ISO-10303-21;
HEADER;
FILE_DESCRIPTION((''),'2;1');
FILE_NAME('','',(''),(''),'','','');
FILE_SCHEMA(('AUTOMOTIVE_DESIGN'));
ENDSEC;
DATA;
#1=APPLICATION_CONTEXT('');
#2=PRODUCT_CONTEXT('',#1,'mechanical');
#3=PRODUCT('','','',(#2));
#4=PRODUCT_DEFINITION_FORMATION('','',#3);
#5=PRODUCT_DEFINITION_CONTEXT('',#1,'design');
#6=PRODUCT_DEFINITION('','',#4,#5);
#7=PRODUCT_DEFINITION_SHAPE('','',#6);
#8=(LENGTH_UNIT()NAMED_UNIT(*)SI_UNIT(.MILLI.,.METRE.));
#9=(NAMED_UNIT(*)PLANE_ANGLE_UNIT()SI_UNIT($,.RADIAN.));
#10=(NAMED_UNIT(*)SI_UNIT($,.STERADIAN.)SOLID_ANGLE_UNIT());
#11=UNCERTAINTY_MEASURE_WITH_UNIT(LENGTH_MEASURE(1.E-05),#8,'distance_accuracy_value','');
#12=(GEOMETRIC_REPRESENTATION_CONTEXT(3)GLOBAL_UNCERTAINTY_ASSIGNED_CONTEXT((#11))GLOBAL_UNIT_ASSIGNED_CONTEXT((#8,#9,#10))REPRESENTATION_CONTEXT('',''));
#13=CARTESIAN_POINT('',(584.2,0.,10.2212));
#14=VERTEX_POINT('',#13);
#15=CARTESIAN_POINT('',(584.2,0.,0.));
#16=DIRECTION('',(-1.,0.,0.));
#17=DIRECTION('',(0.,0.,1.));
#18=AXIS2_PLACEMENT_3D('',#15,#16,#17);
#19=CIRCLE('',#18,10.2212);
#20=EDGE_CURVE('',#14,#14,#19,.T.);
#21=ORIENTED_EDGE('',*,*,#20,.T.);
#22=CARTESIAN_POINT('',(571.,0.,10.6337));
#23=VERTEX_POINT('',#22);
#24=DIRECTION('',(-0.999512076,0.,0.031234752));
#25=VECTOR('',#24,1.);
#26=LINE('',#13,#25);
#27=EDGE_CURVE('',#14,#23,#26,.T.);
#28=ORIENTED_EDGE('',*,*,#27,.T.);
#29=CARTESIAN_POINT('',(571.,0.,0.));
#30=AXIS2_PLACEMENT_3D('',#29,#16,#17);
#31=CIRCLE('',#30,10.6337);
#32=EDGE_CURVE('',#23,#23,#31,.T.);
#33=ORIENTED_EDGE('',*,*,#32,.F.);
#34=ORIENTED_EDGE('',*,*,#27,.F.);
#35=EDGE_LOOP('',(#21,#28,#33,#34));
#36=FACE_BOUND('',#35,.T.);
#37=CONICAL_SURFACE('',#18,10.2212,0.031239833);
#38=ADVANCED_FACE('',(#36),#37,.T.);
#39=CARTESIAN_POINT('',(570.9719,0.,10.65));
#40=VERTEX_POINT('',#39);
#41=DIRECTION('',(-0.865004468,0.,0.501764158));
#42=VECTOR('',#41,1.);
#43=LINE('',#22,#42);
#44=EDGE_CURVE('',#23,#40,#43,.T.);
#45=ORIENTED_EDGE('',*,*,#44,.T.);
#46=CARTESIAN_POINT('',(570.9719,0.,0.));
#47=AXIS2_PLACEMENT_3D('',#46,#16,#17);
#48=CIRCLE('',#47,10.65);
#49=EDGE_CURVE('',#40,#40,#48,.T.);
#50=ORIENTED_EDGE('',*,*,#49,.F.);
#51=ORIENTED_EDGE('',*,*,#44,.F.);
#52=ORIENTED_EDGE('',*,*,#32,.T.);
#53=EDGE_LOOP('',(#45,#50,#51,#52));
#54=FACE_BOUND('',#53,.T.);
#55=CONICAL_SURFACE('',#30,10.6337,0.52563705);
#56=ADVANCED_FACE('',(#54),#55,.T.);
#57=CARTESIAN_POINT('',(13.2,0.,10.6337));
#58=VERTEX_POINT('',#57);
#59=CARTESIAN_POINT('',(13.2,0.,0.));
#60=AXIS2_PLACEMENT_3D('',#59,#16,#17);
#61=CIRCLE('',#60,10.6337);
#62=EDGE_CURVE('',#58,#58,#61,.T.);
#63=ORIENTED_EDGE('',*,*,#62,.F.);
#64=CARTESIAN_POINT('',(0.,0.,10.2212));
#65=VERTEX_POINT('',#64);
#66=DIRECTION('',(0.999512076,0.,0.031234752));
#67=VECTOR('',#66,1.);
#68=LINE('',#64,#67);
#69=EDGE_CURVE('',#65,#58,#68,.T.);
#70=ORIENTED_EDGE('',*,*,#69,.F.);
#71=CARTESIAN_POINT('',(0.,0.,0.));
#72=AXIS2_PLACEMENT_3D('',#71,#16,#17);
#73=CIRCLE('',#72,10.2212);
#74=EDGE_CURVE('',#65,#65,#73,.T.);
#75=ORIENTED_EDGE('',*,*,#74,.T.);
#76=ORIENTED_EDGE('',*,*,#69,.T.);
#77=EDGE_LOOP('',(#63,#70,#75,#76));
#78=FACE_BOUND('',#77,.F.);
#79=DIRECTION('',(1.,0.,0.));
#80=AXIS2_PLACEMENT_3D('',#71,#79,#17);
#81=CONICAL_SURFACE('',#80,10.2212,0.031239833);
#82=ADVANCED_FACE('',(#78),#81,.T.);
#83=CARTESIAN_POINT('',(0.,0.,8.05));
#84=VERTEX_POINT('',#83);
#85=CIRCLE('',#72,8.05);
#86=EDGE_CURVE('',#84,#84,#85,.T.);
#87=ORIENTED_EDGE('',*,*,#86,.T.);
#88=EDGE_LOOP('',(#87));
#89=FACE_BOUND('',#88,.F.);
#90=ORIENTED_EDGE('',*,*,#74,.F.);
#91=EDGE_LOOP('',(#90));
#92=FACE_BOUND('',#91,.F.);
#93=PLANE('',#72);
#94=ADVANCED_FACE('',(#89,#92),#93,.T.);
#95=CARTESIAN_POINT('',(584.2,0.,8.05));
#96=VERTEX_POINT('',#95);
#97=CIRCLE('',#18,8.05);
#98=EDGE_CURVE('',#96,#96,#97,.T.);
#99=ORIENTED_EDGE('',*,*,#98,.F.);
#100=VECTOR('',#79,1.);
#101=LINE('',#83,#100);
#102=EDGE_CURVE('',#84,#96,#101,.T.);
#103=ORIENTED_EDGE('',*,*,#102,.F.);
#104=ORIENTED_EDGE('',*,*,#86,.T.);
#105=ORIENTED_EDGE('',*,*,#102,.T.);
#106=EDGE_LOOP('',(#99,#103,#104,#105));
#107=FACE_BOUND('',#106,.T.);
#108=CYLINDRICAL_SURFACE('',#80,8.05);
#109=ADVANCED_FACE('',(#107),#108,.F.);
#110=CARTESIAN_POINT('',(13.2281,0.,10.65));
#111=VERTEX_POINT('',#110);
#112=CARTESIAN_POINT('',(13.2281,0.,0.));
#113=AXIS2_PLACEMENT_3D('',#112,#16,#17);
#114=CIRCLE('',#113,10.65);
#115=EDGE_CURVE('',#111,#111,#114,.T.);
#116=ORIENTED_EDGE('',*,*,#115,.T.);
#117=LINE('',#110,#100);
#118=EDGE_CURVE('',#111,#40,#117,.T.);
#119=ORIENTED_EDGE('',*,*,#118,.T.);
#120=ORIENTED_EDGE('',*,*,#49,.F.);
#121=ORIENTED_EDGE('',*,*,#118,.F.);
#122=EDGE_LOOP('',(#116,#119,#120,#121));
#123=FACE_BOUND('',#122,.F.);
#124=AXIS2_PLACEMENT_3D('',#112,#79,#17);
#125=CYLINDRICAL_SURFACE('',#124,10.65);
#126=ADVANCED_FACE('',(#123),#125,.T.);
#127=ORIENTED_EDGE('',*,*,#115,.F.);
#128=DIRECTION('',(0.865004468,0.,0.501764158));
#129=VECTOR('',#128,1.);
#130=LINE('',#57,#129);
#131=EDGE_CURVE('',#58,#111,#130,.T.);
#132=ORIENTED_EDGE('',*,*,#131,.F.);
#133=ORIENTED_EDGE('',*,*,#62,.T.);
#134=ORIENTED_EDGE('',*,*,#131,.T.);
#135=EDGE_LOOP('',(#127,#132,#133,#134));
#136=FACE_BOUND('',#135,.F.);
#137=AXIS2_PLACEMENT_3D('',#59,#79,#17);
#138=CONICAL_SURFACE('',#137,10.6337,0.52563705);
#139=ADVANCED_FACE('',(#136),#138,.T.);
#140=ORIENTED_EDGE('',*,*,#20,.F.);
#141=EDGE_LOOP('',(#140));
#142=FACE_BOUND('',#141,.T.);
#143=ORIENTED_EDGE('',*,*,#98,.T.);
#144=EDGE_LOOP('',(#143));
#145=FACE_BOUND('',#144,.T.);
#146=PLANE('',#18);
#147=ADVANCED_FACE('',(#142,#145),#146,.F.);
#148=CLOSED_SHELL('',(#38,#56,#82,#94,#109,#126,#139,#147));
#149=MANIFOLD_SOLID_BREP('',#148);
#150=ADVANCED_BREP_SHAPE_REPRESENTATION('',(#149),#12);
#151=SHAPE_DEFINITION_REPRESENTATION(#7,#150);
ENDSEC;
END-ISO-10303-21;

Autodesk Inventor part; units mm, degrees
ref_plane "YZ Plane" through (0, 0, 0) normal (1, 0, 0) x (0, 1, 0)
ref_plane "XZ Plane" through (0, 0, 0) normal (0, 1, 0) x (-1, 0, 0)
ref_plane "XY Plane" through (0, 0, 0) normal (0, 0, 1) x (1, 0, 0)
sketch "Sketch1" plane through (0, 0, 0) normal (0, 1, 0) x (-1, 0, 0)
  line L0 (-584.2, 0) -> (0, 0)
  line L1 (0, 0) -> (0, 8.05) construction
  line L2 (0, 8.05) -> (0, 10.2212)
  line L3 (0, 10.2212) -> (-13.2, 10.6337)
  line L4 (-13.2, 10.6337) -> (-13.2281, 10.65)
  line L5 (-13.2281, 10.65) -> (-570.9719, 10.65)
  line L6 (0, 8.05) -> (-584.2, 8.05)
  line L7 (-292.1, 0) -> (-292.1, 10.65) construction
  line L8 (-584.2, 0) -> (-584.2, 8.05) construction
  line L9 (-584.2, 8.05) -> (-584.2, 10.2212)
  line L10 (-584.2, 10.2212) -> (-571, 10.6337)
  line L11 (-571, 10.6337) -> (-570.9719, 10.65)
  line L12 (-8.2, 10.4775) -> (-8.2, 0) construction
  line L13 (-13.2, 10.6337) -> (-13.2, 0) construction
  line L14 (-571, 10.6337) -> (-571, 0) construction
  dimension "d0" = 8.2
  dimension "d1" = 13.2
  dimension "d2" = 1.79
  dimension "d3" = 20.955
  dimension "d4" = 21.3
  dimension "d5" = 2.6
  dimension "d6" = 584.2
  dimension "d7" = 30
revolve "Revolution1" add sketch "Sketch1" angle 360 about axis through (584.2, 0, 0) along (-1, 0, 0)
thread "Thread1" size "R 1/2" standard "ISO Taper" full length
thread "Thread2" size "R 1/2" standard "ISO Taper" full length
equation "\"d0\" = a"
equation "\"d1\" = LT"
equation "\"d3\" = MjD"
equation "\"d4\" = OD"
equation "\"d5\" = T"
equation "\"d6\" = L"
equation "\"OD\" = 21.3"
equation "\"T\" = 2.6"
equation "\"L\" = PL"
equation "\"LT\" = 13.2"
equation "\"ID\" = 16.1"
equation "\"PL\" = 584.2"
equation "\"MjD\" = 20.955"
equation "\"a\" = 8.2"
equation "\"Size_Designation\" = 1.2345"
equation "\"PLmin\" = 2 * LT + T"
properties material "Stainless Steel"
